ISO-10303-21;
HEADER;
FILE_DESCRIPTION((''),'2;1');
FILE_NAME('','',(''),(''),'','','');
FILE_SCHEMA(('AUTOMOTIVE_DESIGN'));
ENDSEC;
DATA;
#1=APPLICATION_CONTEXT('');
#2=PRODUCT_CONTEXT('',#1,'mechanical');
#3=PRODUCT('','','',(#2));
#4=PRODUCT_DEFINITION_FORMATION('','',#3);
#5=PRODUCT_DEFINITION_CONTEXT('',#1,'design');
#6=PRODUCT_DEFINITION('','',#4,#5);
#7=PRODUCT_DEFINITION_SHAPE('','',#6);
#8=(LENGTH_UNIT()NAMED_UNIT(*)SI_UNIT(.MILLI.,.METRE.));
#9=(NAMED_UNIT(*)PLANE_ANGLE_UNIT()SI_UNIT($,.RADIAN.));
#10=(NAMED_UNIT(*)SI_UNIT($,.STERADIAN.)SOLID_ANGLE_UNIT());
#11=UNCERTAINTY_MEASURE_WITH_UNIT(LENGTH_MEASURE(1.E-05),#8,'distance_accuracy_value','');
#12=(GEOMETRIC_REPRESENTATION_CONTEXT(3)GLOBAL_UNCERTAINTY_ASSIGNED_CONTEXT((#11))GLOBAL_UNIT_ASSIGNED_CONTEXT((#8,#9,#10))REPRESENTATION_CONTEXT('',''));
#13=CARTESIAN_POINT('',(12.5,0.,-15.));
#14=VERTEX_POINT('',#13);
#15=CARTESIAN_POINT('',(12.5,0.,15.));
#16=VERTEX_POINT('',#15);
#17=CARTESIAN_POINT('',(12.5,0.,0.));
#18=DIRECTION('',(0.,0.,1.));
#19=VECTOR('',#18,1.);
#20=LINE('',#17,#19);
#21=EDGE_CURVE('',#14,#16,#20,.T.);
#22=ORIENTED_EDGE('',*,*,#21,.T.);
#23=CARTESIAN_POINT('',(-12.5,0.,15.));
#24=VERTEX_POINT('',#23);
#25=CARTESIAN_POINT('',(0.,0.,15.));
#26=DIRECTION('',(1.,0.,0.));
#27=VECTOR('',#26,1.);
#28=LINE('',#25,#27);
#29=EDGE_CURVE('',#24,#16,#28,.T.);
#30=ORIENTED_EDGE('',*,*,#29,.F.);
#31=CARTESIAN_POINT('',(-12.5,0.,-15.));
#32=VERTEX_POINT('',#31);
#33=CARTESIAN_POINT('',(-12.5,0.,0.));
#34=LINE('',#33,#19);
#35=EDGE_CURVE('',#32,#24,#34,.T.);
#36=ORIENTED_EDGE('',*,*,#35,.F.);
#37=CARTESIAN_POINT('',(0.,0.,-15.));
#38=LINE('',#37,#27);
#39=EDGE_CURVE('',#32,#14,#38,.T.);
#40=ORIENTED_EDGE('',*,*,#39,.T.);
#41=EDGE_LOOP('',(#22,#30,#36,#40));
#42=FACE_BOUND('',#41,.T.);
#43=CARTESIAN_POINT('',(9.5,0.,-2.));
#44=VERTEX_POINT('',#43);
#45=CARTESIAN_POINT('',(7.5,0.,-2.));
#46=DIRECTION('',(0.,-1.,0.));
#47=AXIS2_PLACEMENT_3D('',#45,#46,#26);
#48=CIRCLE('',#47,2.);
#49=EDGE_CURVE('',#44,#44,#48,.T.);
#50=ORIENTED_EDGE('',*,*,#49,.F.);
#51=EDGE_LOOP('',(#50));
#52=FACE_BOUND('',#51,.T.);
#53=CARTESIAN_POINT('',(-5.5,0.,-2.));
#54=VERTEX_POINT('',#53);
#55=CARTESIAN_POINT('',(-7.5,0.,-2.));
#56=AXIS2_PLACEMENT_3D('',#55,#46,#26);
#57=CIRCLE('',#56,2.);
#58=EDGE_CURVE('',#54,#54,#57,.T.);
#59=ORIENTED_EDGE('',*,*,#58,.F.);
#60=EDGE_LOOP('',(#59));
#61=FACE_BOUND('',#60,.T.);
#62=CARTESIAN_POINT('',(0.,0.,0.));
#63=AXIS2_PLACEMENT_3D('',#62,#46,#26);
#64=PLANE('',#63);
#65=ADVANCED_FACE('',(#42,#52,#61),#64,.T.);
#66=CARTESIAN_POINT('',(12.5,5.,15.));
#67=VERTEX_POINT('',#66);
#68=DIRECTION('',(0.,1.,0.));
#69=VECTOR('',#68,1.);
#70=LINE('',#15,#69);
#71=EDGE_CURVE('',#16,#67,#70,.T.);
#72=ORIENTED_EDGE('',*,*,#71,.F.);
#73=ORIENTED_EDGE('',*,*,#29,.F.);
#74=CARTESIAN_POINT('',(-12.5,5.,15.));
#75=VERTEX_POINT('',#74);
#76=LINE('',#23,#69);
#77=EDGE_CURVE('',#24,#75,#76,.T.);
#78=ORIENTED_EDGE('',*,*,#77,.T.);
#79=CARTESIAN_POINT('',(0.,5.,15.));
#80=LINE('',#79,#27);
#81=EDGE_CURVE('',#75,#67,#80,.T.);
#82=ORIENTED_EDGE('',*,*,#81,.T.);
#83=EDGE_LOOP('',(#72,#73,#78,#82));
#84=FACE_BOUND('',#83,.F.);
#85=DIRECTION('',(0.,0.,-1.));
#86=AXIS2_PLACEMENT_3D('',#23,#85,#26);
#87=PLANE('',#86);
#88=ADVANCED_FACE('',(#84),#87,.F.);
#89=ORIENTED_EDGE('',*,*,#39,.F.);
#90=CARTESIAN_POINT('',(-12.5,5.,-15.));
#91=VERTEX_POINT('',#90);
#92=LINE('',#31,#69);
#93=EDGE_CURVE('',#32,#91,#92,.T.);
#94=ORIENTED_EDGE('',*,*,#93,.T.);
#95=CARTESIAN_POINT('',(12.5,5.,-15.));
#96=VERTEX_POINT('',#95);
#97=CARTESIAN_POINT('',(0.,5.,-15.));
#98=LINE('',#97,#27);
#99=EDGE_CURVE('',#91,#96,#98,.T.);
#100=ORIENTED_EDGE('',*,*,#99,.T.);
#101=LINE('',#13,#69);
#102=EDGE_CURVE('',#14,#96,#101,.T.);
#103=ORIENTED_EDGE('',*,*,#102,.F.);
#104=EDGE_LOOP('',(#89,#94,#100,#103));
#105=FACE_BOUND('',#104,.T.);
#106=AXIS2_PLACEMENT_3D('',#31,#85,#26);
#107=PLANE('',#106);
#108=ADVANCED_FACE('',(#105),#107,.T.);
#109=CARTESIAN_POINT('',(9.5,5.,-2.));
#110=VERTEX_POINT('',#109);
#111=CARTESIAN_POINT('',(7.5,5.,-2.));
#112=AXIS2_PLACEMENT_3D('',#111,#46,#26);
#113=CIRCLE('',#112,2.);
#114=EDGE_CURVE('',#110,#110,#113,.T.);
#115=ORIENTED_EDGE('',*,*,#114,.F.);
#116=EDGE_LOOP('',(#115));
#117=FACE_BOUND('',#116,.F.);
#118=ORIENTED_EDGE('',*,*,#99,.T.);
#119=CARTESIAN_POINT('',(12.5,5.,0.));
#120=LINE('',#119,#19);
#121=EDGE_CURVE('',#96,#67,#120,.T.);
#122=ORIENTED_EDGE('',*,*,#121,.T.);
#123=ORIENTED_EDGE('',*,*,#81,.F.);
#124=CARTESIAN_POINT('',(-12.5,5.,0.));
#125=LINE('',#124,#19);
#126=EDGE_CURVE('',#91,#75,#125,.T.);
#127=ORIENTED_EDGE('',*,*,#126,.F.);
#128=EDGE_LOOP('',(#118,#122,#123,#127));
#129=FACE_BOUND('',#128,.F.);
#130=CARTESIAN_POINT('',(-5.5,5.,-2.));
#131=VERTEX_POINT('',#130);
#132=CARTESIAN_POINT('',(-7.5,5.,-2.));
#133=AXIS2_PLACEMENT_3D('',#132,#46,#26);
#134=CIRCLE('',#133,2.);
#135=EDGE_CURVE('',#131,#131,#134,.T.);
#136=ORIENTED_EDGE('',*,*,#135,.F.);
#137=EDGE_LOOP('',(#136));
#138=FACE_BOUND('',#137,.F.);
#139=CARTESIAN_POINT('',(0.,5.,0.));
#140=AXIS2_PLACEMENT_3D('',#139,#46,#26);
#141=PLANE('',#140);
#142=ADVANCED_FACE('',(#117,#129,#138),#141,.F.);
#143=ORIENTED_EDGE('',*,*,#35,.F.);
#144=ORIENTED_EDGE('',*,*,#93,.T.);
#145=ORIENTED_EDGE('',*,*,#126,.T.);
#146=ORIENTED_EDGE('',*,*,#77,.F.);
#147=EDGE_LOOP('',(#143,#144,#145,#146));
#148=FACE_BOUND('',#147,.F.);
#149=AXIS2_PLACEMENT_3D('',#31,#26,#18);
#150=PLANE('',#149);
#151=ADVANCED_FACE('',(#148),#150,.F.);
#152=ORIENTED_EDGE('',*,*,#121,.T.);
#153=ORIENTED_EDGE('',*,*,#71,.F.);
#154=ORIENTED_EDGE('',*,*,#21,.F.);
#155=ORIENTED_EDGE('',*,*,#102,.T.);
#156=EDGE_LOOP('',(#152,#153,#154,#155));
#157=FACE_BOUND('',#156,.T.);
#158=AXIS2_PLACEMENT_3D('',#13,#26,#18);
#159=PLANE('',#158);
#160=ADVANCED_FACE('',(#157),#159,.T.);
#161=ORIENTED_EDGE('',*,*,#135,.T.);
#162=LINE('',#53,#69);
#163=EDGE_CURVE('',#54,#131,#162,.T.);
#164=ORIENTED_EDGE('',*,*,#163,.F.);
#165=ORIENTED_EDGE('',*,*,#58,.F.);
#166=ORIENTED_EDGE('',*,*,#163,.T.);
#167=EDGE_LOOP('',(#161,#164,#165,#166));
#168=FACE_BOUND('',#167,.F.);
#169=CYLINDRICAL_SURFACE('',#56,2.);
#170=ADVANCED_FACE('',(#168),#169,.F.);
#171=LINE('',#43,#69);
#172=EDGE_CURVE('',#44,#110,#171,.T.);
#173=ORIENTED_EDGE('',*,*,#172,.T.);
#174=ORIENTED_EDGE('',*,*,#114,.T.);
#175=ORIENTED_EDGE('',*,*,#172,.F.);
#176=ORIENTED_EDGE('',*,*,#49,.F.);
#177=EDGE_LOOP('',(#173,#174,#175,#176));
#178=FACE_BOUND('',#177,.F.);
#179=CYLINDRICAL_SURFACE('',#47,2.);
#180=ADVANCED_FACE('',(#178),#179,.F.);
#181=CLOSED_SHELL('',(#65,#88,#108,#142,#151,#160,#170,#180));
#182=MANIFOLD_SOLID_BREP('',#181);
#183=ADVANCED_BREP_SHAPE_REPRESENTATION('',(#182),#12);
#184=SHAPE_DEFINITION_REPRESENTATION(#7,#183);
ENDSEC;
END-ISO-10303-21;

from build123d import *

# Parameters (mm, degrees)
F0_W     = 25
F0_H     = 30
F0_R     = 2
F1_DEPTH = 5


with BuildPart() as f1:
    # F0 (on Front) → F1 (new body)
    with BuildSketch(Plane.XZ):
        Rectangle(F0_W, F0_H)
        with Locations((-7.5, -2)):
            Circle(F0_R, mode=Mode.SUBTRACT)
        with Locations((7.5, -2)):
            Circle(F0_R, mode=Mode.SUBTRACT)
    extrude(amount=-F1_DEPTH)


solid = f1.part
